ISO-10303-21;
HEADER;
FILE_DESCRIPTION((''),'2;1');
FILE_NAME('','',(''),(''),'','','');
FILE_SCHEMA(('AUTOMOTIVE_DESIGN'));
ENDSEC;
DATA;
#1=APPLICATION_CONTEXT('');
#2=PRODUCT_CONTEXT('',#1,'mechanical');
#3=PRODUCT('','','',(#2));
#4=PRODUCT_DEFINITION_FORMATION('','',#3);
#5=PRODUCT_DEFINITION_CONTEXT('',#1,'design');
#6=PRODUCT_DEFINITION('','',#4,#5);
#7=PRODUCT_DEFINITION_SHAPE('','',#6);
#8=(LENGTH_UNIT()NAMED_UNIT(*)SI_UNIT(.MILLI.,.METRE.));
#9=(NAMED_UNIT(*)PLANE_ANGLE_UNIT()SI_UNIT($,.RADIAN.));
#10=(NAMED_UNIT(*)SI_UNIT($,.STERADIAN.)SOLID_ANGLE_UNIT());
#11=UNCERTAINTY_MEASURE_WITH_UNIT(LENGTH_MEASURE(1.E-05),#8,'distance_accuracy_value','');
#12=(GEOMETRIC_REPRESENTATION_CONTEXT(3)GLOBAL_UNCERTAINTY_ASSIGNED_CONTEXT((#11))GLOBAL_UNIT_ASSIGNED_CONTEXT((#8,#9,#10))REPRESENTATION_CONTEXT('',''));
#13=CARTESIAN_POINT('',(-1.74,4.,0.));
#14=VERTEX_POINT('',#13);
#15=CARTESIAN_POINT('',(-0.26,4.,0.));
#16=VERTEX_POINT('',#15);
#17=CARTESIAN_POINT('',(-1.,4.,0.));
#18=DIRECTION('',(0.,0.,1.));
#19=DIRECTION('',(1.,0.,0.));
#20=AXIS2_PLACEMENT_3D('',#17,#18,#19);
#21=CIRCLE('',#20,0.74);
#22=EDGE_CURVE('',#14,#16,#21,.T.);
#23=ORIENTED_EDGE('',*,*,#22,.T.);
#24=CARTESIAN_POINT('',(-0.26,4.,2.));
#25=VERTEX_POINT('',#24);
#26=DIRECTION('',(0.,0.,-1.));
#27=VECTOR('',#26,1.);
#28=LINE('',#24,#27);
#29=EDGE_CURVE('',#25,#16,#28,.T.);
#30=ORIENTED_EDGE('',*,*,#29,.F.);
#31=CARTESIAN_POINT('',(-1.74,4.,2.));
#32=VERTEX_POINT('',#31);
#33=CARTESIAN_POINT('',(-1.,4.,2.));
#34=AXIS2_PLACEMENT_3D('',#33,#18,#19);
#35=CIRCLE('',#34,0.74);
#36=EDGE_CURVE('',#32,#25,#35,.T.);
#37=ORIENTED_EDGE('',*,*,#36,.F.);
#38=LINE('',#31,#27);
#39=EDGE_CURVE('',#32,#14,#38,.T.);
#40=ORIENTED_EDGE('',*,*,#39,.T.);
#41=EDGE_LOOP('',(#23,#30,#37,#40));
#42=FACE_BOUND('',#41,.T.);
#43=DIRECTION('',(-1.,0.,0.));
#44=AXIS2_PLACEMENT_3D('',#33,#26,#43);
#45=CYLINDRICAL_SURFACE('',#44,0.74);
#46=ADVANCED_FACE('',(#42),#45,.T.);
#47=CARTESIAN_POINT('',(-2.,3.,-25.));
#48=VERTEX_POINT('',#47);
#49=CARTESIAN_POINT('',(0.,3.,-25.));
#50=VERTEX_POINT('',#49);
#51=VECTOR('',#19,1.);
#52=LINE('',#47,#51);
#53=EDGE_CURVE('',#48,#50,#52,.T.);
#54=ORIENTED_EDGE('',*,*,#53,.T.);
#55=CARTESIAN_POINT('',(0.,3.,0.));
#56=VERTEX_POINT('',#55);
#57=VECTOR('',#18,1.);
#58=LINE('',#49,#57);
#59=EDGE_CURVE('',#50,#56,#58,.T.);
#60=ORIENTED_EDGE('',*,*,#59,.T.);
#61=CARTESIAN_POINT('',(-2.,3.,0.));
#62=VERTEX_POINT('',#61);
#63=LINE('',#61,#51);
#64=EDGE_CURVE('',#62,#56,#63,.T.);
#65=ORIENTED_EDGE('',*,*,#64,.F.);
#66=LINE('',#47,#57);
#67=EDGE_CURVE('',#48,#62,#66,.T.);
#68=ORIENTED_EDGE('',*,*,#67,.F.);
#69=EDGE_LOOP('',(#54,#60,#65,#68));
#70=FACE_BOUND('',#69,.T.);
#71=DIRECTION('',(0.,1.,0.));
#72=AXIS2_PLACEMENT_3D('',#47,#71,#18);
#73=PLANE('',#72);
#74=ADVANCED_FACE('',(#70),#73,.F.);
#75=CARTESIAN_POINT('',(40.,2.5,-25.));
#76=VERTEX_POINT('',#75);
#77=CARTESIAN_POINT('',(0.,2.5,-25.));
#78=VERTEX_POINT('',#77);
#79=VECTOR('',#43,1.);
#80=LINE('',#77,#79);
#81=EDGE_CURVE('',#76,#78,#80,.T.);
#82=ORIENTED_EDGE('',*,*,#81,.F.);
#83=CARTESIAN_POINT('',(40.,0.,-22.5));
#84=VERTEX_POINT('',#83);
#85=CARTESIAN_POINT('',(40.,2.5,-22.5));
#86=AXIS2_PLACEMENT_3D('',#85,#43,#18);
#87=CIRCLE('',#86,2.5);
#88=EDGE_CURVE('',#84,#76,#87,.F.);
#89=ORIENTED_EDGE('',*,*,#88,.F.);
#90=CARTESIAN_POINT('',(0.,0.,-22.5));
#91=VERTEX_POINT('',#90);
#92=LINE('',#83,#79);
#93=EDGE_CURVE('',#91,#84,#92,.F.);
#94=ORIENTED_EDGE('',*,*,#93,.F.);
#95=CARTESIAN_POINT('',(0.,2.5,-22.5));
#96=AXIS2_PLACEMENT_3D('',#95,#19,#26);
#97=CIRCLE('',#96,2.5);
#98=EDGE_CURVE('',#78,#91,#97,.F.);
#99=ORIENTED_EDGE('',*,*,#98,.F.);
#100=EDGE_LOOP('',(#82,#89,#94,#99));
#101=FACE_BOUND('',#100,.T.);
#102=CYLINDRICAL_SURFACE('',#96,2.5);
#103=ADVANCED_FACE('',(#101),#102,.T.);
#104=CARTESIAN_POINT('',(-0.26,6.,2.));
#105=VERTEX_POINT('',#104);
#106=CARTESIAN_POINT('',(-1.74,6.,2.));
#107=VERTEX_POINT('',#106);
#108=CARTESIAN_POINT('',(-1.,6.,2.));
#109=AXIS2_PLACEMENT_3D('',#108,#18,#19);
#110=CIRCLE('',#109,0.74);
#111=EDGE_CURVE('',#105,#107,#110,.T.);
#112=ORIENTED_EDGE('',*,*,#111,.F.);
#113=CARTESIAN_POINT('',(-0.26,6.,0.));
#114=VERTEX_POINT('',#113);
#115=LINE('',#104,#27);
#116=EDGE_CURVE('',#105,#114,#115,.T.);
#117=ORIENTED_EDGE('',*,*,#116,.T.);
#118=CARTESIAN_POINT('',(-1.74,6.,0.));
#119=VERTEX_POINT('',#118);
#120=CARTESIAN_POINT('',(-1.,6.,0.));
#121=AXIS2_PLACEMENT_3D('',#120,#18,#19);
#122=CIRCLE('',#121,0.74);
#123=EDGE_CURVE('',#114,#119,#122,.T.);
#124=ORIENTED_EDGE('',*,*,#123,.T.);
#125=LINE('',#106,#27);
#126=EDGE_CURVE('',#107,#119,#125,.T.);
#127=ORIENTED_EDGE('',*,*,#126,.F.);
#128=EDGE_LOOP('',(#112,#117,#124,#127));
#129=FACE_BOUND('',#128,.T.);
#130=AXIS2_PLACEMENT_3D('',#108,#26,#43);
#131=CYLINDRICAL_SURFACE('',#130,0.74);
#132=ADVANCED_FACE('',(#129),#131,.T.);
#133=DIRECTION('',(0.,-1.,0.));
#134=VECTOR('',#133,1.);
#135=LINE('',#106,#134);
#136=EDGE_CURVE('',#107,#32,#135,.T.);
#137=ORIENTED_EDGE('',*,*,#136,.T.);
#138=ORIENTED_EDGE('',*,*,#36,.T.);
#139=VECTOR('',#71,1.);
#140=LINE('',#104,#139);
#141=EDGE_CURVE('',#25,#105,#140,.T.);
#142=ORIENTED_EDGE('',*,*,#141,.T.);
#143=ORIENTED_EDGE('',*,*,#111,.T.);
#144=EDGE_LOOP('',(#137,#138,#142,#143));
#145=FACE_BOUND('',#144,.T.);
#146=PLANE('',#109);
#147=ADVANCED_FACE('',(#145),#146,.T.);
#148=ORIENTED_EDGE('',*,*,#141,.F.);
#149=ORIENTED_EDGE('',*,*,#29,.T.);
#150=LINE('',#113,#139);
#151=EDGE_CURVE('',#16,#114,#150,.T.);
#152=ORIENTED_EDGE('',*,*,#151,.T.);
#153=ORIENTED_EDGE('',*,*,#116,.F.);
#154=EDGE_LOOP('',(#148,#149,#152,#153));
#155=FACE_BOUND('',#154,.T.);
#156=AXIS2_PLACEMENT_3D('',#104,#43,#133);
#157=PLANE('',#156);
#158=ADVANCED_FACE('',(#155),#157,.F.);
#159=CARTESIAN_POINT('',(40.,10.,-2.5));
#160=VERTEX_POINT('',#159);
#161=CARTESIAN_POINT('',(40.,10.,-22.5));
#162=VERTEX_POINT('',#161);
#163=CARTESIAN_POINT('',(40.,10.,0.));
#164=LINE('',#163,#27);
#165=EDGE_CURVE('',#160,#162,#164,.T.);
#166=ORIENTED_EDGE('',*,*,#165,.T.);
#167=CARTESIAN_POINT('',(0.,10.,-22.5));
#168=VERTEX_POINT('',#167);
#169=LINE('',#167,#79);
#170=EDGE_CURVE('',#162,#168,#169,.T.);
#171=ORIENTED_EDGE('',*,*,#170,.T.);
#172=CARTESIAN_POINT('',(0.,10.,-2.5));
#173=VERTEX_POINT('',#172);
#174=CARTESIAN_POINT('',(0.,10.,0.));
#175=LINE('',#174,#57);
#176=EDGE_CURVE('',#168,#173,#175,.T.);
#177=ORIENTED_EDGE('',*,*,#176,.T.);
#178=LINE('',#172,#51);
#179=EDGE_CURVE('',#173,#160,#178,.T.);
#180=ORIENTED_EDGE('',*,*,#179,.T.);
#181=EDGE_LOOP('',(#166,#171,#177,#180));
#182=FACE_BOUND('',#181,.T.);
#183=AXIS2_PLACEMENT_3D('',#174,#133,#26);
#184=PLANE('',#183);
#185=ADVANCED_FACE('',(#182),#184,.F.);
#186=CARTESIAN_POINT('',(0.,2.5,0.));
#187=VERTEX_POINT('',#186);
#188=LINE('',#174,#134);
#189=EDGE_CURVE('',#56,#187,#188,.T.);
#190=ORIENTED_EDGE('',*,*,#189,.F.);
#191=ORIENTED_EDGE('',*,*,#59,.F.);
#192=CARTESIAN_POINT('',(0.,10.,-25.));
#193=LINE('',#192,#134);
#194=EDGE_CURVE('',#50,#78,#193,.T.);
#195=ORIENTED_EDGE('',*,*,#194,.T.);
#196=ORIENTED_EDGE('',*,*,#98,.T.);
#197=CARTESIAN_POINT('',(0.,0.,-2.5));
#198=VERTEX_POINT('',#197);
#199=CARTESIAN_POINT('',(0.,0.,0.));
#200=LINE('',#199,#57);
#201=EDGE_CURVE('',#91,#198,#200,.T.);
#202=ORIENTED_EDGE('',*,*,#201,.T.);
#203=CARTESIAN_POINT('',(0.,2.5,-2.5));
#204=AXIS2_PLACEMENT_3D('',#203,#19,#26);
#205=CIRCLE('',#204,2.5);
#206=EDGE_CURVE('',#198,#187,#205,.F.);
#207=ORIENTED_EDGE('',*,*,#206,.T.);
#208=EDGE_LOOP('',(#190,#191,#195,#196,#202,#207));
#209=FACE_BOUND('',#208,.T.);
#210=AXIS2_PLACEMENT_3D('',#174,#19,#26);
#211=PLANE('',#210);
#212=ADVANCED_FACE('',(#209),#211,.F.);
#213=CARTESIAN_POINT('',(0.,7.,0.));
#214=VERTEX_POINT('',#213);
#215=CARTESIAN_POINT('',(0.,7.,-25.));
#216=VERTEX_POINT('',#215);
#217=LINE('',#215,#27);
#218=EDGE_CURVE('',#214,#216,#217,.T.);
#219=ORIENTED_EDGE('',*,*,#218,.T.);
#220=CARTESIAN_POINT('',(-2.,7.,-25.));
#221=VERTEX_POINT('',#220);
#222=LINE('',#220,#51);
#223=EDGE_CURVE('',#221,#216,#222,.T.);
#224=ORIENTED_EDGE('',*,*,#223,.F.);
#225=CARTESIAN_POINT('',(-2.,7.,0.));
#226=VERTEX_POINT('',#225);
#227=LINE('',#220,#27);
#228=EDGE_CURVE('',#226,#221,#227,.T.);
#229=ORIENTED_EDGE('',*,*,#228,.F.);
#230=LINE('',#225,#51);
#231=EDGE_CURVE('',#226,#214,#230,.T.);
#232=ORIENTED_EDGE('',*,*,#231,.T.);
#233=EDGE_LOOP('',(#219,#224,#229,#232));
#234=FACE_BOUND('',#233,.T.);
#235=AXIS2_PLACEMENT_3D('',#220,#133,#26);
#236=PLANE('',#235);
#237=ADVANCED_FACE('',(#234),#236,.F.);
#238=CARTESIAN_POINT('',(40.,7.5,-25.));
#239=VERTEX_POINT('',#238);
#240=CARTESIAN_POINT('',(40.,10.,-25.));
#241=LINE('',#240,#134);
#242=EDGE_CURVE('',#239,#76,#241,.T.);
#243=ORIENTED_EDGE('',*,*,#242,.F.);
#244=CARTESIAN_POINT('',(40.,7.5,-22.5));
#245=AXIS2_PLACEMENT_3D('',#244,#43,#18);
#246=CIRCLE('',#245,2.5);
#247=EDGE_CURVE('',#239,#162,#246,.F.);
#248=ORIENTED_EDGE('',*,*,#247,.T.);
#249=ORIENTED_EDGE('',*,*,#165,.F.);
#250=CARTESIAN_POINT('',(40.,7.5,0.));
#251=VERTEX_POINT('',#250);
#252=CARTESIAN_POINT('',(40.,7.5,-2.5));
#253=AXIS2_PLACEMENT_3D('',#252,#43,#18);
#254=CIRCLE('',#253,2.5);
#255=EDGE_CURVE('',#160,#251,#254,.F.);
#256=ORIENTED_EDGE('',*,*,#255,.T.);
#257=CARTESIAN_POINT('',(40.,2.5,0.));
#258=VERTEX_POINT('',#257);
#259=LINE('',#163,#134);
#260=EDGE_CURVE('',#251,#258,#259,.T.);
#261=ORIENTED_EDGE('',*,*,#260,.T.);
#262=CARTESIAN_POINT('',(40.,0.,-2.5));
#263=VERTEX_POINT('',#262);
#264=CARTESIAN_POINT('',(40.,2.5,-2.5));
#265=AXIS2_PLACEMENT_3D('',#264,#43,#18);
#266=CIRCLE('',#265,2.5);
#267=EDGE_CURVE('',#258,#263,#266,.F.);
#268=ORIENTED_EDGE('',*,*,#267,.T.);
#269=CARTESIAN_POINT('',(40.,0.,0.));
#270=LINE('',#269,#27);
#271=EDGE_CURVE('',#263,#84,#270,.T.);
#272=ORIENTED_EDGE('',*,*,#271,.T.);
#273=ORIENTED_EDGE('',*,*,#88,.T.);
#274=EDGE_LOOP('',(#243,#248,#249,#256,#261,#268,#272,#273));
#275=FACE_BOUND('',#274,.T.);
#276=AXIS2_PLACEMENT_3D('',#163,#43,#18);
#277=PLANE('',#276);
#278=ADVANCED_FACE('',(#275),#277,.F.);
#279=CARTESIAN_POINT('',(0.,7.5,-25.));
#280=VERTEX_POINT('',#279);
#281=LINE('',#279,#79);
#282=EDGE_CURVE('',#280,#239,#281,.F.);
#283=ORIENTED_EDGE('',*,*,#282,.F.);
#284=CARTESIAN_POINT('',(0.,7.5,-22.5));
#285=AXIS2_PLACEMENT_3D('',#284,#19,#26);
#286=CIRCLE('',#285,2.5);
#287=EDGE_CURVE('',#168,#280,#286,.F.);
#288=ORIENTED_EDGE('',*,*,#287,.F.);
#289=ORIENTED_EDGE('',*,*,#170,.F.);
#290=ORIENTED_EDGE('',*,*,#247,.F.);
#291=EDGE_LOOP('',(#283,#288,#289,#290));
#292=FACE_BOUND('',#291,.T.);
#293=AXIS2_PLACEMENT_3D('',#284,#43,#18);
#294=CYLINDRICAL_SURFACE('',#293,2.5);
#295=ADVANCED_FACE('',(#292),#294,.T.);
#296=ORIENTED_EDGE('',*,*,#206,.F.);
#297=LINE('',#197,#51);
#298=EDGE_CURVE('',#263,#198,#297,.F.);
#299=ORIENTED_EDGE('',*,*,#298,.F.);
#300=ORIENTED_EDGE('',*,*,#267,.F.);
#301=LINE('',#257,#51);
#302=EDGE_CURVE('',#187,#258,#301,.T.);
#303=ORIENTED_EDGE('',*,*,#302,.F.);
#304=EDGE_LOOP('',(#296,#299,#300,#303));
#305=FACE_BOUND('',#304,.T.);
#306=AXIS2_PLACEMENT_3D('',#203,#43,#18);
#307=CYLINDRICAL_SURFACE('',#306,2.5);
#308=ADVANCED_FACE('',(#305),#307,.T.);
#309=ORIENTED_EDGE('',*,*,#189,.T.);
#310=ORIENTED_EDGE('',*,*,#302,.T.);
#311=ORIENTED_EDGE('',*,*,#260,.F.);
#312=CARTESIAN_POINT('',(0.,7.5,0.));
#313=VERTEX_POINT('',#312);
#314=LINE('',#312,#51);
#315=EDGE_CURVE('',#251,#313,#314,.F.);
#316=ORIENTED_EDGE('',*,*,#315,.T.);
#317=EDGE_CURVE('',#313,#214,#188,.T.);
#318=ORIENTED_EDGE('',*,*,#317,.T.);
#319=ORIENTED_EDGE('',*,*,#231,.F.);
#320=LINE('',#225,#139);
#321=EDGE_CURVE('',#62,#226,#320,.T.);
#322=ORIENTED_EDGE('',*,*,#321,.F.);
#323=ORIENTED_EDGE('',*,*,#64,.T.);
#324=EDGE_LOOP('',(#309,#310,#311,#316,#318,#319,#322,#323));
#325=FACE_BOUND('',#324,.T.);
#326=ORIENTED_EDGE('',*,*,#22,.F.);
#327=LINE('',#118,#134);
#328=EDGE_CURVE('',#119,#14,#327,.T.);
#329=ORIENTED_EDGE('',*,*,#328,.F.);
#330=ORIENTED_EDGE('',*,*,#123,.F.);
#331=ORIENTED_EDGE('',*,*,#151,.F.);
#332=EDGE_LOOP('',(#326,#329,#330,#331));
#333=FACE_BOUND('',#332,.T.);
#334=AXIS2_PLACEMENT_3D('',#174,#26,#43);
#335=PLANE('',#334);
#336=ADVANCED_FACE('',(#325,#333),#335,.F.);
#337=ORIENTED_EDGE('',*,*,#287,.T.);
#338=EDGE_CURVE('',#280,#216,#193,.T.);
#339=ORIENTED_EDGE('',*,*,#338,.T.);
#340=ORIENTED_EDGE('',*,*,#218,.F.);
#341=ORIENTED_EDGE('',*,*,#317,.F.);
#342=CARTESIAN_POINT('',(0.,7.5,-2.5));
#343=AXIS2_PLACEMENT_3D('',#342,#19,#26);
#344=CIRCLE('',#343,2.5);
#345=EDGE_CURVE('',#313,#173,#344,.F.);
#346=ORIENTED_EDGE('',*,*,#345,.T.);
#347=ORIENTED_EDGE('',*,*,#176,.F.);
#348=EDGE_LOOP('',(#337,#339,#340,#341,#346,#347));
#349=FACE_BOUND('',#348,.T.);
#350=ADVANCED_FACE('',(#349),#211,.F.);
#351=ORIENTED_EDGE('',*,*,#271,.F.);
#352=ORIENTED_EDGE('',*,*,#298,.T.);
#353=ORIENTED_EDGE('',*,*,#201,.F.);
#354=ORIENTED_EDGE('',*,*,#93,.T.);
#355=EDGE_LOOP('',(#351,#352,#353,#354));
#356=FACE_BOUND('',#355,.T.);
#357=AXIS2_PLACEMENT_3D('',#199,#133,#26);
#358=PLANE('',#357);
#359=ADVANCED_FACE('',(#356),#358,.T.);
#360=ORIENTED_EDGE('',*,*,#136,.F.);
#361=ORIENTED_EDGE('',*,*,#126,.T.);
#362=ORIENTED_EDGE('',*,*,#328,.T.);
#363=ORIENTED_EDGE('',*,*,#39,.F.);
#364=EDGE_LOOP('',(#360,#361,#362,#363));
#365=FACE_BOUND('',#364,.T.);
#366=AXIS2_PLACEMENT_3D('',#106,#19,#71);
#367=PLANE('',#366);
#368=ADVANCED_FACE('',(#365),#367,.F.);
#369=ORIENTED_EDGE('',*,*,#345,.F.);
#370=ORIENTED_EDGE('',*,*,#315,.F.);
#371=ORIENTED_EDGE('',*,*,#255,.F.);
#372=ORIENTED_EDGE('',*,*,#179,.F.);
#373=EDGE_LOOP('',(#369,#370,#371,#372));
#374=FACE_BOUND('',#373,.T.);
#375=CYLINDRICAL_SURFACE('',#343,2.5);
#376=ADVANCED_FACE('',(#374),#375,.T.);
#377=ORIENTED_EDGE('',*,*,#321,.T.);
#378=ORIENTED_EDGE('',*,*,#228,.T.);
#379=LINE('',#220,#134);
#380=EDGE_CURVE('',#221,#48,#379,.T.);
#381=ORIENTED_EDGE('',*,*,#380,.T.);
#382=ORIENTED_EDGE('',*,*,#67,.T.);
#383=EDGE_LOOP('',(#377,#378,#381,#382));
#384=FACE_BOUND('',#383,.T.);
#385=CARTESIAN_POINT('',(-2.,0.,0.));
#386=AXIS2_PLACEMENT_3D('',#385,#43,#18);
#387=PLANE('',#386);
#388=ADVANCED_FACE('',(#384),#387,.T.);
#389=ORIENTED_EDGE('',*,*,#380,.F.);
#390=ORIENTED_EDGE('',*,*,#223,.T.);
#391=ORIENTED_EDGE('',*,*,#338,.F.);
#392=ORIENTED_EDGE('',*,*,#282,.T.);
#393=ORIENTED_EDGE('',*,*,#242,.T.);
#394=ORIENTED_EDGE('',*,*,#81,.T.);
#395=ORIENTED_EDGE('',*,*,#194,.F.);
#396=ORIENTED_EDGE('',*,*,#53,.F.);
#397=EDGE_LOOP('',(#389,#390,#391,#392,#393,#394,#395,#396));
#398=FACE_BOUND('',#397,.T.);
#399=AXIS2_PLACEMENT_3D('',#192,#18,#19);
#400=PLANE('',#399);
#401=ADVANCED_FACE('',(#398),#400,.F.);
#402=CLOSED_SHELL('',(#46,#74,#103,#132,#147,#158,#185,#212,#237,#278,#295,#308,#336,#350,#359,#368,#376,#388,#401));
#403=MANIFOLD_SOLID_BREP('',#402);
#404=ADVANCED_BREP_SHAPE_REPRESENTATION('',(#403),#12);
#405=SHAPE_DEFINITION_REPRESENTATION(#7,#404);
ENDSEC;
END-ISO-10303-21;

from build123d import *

# Parameters (mm, degrees)
SKETCH_1_W      = 40
SKETCH_1_H      = 25
EXTRUDE_1_DEPTH = 10
FILLET_1_R      = 2.5
SKETCH_2_W      = 25
SKETCH_2_H      = 4
EXTRUDE_2_DEPTH = 2
EXTRUDE_3_DEPTH = 2


with BuildPart() as part:
    # 草图1 → 凸台-拉伸1 (new body)
    with BuildSketch(Plane(origin=(0, 0, 0), x_dir=(1, 0, 0), z_dir=(0, 1, 0))):
        with Locations((20, 12.5)):
            Rectangle(SKETCH_1_W, SKETCH_1_H)
    extrude(amount=EXTRUDE_1_DEPTH)

    # 圆角1
    fillet_1_edges = [part.edges().sort_by_distance(p)[0] for p in [
        (20, 10, -25),
        (20, 0, -25),
        (20, 0, 0),
        (20, 10, 0),
    ]]
    fillet(fillet_1_edges, radius=FILLET_1_R)

    # 草图2 → 凸台-拉伸2 (add)
    with BuildSketch(Plane.ZY):
        with Locations((-12.5, 5)):
            Rectangle(SKETCH_2_W, SKETCH_2_H)
    extrude(amount=EXTRUDE_2_DEPTH)

    # 草图3 → 凸台-拉伸3 (add)
    with BuildSketch(Plane.XY):
        with BuildLine():
            Line((-0.26, 6), (-0.26, 4))
            ThreePointArc((-0.26, 4), (-1, 3.26), (-1.74, 4))
            Line((-1.74, 4), (-1.74, 6))
            ThreePointArc((-1.74, 6), (-1, 6.74), (-0.26, 6))
        make_face()
    extrude(amount=EXTRUDE_3_DEPTH)


solid = part.part
